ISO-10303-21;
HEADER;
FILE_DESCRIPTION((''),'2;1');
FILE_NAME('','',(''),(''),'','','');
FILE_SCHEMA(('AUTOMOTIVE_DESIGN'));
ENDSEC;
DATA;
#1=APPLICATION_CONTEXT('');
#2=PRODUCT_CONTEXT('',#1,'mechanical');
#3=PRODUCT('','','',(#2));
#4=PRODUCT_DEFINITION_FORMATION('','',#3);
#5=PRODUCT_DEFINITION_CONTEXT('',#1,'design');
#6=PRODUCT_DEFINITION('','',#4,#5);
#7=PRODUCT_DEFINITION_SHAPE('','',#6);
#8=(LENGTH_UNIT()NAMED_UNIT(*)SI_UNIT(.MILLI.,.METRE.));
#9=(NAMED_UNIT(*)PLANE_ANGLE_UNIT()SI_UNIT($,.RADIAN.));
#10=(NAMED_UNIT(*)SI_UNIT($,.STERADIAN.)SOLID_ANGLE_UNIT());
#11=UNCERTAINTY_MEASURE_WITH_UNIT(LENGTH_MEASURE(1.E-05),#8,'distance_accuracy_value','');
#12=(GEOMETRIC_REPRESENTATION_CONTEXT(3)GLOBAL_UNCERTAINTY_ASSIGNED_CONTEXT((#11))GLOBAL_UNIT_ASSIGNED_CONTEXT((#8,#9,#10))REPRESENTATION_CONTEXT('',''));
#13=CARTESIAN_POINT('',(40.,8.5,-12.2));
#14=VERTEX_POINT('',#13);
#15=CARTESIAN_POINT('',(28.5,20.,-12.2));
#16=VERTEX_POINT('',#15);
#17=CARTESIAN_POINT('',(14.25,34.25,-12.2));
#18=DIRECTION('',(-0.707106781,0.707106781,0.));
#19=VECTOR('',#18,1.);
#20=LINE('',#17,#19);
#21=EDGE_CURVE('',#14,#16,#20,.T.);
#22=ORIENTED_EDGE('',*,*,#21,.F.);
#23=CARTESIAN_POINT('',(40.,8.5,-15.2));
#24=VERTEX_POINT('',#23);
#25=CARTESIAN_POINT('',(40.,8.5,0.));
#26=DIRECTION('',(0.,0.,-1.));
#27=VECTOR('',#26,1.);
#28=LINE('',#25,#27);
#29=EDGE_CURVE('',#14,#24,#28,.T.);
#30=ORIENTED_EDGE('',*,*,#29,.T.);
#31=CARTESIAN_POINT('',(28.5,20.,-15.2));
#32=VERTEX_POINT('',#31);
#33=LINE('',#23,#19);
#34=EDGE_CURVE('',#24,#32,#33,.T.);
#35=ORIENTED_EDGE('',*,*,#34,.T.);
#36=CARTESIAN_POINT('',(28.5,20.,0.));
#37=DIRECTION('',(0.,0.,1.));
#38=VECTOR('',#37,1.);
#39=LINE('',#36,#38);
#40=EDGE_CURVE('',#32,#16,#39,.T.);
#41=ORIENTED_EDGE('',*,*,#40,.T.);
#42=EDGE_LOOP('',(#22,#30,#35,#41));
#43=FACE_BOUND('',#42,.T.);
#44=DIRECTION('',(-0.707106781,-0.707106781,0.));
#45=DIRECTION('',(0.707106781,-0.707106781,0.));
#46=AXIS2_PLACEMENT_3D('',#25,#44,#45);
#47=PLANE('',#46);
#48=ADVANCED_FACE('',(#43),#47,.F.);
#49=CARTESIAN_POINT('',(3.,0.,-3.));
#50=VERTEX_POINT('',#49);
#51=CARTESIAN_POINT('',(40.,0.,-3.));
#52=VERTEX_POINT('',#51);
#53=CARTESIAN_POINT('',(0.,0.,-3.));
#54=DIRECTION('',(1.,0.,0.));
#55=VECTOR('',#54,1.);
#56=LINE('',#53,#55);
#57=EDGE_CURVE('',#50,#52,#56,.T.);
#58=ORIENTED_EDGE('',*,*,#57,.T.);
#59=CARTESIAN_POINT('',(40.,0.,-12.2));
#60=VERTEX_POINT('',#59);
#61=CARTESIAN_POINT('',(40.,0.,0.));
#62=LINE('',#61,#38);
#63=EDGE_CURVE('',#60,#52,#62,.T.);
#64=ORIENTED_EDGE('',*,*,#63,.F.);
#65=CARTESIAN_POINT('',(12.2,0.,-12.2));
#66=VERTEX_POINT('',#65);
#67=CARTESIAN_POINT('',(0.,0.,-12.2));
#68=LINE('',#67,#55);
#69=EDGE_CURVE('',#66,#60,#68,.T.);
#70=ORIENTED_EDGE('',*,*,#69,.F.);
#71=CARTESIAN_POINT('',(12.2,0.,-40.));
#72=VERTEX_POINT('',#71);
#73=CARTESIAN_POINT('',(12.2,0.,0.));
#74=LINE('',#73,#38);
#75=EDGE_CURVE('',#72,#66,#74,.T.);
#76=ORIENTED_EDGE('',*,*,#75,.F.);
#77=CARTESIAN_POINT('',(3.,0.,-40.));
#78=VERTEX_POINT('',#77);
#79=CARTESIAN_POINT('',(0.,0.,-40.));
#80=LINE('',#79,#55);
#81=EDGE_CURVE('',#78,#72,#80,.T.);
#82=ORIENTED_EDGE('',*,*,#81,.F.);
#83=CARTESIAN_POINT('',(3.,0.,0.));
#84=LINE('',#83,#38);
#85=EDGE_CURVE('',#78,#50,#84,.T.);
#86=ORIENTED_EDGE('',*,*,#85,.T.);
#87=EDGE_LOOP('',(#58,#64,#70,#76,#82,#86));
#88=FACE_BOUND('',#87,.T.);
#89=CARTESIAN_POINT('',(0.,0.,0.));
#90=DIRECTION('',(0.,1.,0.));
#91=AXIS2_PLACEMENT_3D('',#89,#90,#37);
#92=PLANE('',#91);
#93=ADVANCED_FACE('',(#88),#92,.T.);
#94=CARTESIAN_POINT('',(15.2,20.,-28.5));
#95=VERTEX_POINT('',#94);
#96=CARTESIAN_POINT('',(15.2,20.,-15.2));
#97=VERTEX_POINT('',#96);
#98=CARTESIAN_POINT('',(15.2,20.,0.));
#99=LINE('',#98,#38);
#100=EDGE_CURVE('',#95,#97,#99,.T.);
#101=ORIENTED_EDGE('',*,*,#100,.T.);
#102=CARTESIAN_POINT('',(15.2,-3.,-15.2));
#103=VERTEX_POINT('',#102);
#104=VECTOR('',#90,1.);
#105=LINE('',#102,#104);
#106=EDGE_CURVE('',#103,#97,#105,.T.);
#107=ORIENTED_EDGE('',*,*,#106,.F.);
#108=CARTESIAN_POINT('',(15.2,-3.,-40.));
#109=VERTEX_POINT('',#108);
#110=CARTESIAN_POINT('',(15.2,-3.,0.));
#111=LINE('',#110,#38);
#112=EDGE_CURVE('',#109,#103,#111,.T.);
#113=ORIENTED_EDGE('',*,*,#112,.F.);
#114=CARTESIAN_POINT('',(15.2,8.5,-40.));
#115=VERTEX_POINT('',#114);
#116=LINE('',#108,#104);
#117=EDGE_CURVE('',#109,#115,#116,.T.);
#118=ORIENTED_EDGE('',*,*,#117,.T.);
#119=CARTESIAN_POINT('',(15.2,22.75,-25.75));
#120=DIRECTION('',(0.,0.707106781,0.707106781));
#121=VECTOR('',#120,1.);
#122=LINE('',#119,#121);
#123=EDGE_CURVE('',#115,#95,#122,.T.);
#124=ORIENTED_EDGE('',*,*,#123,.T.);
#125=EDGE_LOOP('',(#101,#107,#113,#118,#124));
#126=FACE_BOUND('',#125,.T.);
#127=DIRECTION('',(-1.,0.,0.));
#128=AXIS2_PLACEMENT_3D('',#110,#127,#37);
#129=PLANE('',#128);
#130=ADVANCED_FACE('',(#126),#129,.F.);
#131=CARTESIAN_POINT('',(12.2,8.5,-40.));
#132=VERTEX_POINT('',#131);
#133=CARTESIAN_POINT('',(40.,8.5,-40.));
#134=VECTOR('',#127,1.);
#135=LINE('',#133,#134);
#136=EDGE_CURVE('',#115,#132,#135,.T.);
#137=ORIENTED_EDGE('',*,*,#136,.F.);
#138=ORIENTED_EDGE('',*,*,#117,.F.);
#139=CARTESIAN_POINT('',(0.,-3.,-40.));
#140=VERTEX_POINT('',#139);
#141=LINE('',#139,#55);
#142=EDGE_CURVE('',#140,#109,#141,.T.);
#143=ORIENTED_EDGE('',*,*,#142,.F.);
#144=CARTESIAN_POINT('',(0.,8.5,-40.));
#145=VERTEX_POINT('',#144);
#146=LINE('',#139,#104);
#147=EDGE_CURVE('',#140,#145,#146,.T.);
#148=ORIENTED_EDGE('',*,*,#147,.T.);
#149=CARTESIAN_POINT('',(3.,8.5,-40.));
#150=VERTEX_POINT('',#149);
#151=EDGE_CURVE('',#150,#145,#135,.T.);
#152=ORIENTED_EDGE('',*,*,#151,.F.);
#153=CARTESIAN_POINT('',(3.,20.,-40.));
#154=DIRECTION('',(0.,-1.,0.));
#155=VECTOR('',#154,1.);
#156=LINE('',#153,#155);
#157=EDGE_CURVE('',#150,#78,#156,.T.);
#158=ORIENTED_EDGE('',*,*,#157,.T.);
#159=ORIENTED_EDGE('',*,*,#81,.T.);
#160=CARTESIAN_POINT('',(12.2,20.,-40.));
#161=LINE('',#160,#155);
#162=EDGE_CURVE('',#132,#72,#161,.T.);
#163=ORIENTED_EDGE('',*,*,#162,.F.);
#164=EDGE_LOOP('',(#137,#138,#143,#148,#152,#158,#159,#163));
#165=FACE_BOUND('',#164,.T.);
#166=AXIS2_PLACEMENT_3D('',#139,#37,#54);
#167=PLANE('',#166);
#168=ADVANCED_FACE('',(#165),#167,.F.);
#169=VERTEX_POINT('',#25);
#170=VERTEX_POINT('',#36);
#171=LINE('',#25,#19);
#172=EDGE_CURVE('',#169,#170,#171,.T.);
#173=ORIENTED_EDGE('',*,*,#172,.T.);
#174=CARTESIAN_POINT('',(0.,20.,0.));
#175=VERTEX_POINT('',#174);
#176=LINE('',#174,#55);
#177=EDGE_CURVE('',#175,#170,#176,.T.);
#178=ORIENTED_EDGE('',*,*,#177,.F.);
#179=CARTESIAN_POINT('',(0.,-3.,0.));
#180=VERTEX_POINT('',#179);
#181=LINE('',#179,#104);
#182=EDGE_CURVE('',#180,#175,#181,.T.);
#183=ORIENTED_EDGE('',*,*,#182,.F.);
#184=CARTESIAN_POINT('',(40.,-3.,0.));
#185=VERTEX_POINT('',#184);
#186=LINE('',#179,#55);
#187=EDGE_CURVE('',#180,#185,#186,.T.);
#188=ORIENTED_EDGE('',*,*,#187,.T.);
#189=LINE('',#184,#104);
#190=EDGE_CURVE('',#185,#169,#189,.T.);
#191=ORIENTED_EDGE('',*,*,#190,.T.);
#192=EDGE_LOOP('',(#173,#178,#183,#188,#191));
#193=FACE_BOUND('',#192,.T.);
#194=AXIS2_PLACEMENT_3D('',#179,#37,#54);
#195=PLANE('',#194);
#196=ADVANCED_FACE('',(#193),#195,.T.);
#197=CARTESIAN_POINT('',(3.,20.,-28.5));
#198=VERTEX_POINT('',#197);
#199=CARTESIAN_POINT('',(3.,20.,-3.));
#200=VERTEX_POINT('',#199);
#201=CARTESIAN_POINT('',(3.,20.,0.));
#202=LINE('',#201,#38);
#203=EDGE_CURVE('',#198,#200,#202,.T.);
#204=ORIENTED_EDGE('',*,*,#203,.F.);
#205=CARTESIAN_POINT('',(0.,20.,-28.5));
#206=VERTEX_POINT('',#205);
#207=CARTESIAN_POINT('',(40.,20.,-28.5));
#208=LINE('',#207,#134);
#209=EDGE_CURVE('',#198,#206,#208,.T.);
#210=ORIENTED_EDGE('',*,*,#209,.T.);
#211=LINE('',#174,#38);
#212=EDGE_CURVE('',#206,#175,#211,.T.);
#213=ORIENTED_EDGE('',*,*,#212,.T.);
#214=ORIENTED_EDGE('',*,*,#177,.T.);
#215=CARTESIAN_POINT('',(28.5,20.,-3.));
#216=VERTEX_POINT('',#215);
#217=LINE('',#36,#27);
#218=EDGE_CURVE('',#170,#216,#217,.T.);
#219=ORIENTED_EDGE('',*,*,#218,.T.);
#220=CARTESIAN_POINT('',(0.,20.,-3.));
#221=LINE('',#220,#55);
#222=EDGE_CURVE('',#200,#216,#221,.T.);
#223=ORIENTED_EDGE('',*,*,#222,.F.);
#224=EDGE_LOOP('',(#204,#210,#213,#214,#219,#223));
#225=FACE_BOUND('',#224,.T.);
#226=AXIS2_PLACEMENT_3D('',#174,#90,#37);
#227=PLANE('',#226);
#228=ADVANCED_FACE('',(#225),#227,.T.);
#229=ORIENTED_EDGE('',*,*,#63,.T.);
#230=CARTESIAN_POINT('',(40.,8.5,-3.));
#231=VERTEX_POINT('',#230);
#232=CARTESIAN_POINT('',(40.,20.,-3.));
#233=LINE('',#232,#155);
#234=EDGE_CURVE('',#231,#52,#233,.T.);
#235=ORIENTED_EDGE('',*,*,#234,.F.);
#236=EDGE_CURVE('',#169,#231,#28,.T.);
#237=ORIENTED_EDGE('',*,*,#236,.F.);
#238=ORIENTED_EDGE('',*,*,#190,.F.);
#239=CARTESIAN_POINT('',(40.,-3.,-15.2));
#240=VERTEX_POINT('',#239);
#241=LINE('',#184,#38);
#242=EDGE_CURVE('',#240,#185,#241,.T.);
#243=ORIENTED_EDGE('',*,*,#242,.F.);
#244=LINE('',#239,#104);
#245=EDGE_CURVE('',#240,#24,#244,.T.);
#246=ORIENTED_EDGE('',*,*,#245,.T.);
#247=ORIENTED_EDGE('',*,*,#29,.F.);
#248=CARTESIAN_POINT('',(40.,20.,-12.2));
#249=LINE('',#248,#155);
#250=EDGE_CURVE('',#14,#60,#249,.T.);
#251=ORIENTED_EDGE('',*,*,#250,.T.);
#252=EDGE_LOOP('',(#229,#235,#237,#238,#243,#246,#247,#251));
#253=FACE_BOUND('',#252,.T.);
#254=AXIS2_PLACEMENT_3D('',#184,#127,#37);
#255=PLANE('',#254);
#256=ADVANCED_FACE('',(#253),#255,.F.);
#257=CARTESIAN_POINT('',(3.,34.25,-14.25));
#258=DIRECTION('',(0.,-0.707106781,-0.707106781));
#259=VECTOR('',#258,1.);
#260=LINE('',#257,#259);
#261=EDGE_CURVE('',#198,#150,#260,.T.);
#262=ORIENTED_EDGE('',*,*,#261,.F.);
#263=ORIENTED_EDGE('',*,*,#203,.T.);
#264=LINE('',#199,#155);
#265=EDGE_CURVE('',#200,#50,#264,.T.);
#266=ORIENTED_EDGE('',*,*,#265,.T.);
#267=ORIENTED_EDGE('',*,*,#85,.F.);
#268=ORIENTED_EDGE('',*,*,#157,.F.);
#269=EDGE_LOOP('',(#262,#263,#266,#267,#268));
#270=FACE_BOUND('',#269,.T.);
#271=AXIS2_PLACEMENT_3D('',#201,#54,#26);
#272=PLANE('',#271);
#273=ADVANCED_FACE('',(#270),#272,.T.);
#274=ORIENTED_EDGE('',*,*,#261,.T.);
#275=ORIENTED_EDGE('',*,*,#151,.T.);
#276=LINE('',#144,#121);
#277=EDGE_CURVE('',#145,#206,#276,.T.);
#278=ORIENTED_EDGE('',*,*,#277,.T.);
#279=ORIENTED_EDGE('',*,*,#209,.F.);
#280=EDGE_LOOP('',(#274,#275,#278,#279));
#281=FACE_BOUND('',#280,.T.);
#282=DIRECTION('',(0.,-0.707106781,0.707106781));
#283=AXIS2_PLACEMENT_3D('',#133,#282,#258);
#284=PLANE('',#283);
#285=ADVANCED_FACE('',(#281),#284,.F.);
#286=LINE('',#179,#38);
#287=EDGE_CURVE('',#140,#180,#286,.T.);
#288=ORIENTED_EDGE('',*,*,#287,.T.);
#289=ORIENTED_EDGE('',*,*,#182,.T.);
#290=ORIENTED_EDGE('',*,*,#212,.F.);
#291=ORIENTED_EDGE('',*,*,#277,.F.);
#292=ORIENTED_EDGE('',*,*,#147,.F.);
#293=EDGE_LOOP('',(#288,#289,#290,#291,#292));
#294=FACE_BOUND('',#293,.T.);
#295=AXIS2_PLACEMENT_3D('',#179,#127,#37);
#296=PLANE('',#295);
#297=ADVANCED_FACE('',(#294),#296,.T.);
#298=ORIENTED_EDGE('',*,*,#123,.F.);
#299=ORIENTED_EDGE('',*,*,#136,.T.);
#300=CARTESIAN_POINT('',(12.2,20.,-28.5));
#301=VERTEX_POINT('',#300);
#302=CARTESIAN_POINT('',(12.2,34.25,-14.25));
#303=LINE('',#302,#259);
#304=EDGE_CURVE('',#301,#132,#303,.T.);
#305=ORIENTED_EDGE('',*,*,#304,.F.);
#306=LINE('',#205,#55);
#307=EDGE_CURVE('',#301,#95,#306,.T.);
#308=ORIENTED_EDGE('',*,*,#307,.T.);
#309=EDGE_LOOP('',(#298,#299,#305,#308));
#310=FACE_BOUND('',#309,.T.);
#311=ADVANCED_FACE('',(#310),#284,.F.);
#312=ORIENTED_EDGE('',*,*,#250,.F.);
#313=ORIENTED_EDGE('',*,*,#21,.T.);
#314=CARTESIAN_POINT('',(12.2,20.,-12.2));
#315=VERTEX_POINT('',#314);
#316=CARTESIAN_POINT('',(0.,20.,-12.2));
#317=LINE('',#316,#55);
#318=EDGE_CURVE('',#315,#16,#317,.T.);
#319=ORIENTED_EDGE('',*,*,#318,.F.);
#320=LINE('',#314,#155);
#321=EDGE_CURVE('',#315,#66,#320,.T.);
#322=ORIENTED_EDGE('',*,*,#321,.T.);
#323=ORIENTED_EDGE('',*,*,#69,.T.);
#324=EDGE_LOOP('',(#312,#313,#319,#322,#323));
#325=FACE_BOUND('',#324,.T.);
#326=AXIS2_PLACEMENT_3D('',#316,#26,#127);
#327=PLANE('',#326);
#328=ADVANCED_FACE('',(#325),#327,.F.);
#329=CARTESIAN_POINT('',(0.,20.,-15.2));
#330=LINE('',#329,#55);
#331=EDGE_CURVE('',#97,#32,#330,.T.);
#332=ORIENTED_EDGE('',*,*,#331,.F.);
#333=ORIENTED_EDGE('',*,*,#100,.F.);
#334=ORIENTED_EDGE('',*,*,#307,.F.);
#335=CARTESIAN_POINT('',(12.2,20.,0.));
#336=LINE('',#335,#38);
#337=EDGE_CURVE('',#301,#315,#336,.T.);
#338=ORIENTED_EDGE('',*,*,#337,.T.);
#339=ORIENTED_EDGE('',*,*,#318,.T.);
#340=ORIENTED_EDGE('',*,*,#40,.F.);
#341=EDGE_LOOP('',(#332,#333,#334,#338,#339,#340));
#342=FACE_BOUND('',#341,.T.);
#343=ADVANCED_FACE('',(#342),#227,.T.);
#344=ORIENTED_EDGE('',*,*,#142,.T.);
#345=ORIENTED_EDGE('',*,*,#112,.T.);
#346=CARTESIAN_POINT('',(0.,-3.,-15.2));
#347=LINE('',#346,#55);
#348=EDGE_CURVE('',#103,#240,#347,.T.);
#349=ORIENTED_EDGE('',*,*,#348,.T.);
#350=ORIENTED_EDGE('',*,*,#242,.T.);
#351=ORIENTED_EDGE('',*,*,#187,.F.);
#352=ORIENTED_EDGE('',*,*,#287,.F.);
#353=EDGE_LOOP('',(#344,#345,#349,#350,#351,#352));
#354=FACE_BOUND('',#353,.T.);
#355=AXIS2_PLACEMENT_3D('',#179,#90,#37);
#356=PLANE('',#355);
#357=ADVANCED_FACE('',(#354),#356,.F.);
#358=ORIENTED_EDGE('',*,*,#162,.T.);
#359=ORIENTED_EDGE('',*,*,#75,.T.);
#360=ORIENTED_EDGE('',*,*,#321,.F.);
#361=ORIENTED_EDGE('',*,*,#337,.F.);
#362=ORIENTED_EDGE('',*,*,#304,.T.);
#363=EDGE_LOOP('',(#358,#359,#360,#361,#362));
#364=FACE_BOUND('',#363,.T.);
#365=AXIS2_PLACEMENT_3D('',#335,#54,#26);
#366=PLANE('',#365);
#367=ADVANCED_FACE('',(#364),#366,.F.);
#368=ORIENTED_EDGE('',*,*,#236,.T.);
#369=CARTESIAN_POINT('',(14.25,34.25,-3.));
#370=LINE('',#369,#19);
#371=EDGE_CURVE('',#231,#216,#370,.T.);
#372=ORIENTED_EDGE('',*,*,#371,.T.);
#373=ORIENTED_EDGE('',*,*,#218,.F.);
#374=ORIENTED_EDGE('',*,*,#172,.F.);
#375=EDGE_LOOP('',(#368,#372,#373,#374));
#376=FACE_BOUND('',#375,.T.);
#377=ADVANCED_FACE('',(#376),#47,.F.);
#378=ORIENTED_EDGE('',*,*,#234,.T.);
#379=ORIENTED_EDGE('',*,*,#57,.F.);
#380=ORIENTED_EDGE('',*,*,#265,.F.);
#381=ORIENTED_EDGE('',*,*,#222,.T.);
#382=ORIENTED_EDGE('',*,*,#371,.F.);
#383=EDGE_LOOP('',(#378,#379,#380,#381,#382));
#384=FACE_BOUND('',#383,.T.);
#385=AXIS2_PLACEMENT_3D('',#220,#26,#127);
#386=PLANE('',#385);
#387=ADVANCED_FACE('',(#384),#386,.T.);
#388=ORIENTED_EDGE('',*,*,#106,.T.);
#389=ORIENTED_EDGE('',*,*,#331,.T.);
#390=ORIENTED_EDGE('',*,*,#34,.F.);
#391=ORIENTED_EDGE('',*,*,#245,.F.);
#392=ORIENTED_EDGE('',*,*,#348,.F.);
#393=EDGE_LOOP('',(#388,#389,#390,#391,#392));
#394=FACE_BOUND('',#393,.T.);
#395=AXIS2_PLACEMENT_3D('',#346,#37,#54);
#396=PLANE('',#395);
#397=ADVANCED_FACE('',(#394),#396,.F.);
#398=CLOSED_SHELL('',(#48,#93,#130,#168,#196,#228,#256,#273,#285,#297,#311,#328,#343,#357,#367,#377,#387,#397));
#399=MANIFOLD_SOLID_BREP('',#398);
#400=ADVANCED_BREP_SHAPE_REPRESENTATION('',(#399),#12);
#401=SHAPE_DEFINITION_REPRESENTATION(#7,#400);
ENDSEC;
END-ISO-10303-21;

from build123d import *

# Parameters (mm, degrees)
EXTRUDE_1_DEPTH     = 3
EXTRUDE_2_DEPTH     = 20
CUT_EXTRUDE_1_DEPTH = 61
CUT_EXTRUDE_2_DEPTH = 52.137461806


with BuildPart() as part:
    # 草图1 → 凸台-拉伸1 (new body)
    with BuildSketch(Plane(origin=(0, 0, 0), x_dir=(1, 0, 0), z_dir=(0, 1, 0))):
        Polygon((40, 15.2), (15.2, 15.2), (15.2, 40), (0, 40), (0, 0), (40, 0), align=None)
    extrude(amount=-EXTRUDE_1_DEPTH)

    # 草图1<3> → 凸台-拉伸2 (add)
    with BuildSketch(Plane(origin=(0, 0, 0), x_dir=(1, 0, 0), z_dir=(0, 1, 0))):
        Polygon((40, 15.2), (15.2, 15.2), (15.2, 40), (12.2, 40), (12.2, 12.2), (40, 12.2), align=None)
        Polygon((40, 0), (40, 3), (3, 3), (3, 40), (0, 40), (0, 0), align=None)
    extrude(amount=EXTRUDE_2_DEPTH)

    # 草图2 → 切除-拉伸1 (cut, through all)
    with BuildSketch(Plane.ZY):
        Polygon((-40, 8.5), (-28.5, 20), (-40, 20), align=None)
    extrude(amount=-CUT_EXTRUDE_1_DEPTH, mode=Mode.SUBTRACT)

    # 草图3 → 切除-拉伸2 (cut, through all)
    with BuildSketch(Plane(origin=(0, 0, -15.2), x_dir=(-1, 0, 0), z_dir=(0, 0, -1))):
        Polygon((-40, 8.5), (-28.5, 20), (-40, 20), align=None)
    extrude(amount=-CUT_EXTRUDE_2_DEPTH, mode=Mode.SUBTRACT)


solid = part.part
